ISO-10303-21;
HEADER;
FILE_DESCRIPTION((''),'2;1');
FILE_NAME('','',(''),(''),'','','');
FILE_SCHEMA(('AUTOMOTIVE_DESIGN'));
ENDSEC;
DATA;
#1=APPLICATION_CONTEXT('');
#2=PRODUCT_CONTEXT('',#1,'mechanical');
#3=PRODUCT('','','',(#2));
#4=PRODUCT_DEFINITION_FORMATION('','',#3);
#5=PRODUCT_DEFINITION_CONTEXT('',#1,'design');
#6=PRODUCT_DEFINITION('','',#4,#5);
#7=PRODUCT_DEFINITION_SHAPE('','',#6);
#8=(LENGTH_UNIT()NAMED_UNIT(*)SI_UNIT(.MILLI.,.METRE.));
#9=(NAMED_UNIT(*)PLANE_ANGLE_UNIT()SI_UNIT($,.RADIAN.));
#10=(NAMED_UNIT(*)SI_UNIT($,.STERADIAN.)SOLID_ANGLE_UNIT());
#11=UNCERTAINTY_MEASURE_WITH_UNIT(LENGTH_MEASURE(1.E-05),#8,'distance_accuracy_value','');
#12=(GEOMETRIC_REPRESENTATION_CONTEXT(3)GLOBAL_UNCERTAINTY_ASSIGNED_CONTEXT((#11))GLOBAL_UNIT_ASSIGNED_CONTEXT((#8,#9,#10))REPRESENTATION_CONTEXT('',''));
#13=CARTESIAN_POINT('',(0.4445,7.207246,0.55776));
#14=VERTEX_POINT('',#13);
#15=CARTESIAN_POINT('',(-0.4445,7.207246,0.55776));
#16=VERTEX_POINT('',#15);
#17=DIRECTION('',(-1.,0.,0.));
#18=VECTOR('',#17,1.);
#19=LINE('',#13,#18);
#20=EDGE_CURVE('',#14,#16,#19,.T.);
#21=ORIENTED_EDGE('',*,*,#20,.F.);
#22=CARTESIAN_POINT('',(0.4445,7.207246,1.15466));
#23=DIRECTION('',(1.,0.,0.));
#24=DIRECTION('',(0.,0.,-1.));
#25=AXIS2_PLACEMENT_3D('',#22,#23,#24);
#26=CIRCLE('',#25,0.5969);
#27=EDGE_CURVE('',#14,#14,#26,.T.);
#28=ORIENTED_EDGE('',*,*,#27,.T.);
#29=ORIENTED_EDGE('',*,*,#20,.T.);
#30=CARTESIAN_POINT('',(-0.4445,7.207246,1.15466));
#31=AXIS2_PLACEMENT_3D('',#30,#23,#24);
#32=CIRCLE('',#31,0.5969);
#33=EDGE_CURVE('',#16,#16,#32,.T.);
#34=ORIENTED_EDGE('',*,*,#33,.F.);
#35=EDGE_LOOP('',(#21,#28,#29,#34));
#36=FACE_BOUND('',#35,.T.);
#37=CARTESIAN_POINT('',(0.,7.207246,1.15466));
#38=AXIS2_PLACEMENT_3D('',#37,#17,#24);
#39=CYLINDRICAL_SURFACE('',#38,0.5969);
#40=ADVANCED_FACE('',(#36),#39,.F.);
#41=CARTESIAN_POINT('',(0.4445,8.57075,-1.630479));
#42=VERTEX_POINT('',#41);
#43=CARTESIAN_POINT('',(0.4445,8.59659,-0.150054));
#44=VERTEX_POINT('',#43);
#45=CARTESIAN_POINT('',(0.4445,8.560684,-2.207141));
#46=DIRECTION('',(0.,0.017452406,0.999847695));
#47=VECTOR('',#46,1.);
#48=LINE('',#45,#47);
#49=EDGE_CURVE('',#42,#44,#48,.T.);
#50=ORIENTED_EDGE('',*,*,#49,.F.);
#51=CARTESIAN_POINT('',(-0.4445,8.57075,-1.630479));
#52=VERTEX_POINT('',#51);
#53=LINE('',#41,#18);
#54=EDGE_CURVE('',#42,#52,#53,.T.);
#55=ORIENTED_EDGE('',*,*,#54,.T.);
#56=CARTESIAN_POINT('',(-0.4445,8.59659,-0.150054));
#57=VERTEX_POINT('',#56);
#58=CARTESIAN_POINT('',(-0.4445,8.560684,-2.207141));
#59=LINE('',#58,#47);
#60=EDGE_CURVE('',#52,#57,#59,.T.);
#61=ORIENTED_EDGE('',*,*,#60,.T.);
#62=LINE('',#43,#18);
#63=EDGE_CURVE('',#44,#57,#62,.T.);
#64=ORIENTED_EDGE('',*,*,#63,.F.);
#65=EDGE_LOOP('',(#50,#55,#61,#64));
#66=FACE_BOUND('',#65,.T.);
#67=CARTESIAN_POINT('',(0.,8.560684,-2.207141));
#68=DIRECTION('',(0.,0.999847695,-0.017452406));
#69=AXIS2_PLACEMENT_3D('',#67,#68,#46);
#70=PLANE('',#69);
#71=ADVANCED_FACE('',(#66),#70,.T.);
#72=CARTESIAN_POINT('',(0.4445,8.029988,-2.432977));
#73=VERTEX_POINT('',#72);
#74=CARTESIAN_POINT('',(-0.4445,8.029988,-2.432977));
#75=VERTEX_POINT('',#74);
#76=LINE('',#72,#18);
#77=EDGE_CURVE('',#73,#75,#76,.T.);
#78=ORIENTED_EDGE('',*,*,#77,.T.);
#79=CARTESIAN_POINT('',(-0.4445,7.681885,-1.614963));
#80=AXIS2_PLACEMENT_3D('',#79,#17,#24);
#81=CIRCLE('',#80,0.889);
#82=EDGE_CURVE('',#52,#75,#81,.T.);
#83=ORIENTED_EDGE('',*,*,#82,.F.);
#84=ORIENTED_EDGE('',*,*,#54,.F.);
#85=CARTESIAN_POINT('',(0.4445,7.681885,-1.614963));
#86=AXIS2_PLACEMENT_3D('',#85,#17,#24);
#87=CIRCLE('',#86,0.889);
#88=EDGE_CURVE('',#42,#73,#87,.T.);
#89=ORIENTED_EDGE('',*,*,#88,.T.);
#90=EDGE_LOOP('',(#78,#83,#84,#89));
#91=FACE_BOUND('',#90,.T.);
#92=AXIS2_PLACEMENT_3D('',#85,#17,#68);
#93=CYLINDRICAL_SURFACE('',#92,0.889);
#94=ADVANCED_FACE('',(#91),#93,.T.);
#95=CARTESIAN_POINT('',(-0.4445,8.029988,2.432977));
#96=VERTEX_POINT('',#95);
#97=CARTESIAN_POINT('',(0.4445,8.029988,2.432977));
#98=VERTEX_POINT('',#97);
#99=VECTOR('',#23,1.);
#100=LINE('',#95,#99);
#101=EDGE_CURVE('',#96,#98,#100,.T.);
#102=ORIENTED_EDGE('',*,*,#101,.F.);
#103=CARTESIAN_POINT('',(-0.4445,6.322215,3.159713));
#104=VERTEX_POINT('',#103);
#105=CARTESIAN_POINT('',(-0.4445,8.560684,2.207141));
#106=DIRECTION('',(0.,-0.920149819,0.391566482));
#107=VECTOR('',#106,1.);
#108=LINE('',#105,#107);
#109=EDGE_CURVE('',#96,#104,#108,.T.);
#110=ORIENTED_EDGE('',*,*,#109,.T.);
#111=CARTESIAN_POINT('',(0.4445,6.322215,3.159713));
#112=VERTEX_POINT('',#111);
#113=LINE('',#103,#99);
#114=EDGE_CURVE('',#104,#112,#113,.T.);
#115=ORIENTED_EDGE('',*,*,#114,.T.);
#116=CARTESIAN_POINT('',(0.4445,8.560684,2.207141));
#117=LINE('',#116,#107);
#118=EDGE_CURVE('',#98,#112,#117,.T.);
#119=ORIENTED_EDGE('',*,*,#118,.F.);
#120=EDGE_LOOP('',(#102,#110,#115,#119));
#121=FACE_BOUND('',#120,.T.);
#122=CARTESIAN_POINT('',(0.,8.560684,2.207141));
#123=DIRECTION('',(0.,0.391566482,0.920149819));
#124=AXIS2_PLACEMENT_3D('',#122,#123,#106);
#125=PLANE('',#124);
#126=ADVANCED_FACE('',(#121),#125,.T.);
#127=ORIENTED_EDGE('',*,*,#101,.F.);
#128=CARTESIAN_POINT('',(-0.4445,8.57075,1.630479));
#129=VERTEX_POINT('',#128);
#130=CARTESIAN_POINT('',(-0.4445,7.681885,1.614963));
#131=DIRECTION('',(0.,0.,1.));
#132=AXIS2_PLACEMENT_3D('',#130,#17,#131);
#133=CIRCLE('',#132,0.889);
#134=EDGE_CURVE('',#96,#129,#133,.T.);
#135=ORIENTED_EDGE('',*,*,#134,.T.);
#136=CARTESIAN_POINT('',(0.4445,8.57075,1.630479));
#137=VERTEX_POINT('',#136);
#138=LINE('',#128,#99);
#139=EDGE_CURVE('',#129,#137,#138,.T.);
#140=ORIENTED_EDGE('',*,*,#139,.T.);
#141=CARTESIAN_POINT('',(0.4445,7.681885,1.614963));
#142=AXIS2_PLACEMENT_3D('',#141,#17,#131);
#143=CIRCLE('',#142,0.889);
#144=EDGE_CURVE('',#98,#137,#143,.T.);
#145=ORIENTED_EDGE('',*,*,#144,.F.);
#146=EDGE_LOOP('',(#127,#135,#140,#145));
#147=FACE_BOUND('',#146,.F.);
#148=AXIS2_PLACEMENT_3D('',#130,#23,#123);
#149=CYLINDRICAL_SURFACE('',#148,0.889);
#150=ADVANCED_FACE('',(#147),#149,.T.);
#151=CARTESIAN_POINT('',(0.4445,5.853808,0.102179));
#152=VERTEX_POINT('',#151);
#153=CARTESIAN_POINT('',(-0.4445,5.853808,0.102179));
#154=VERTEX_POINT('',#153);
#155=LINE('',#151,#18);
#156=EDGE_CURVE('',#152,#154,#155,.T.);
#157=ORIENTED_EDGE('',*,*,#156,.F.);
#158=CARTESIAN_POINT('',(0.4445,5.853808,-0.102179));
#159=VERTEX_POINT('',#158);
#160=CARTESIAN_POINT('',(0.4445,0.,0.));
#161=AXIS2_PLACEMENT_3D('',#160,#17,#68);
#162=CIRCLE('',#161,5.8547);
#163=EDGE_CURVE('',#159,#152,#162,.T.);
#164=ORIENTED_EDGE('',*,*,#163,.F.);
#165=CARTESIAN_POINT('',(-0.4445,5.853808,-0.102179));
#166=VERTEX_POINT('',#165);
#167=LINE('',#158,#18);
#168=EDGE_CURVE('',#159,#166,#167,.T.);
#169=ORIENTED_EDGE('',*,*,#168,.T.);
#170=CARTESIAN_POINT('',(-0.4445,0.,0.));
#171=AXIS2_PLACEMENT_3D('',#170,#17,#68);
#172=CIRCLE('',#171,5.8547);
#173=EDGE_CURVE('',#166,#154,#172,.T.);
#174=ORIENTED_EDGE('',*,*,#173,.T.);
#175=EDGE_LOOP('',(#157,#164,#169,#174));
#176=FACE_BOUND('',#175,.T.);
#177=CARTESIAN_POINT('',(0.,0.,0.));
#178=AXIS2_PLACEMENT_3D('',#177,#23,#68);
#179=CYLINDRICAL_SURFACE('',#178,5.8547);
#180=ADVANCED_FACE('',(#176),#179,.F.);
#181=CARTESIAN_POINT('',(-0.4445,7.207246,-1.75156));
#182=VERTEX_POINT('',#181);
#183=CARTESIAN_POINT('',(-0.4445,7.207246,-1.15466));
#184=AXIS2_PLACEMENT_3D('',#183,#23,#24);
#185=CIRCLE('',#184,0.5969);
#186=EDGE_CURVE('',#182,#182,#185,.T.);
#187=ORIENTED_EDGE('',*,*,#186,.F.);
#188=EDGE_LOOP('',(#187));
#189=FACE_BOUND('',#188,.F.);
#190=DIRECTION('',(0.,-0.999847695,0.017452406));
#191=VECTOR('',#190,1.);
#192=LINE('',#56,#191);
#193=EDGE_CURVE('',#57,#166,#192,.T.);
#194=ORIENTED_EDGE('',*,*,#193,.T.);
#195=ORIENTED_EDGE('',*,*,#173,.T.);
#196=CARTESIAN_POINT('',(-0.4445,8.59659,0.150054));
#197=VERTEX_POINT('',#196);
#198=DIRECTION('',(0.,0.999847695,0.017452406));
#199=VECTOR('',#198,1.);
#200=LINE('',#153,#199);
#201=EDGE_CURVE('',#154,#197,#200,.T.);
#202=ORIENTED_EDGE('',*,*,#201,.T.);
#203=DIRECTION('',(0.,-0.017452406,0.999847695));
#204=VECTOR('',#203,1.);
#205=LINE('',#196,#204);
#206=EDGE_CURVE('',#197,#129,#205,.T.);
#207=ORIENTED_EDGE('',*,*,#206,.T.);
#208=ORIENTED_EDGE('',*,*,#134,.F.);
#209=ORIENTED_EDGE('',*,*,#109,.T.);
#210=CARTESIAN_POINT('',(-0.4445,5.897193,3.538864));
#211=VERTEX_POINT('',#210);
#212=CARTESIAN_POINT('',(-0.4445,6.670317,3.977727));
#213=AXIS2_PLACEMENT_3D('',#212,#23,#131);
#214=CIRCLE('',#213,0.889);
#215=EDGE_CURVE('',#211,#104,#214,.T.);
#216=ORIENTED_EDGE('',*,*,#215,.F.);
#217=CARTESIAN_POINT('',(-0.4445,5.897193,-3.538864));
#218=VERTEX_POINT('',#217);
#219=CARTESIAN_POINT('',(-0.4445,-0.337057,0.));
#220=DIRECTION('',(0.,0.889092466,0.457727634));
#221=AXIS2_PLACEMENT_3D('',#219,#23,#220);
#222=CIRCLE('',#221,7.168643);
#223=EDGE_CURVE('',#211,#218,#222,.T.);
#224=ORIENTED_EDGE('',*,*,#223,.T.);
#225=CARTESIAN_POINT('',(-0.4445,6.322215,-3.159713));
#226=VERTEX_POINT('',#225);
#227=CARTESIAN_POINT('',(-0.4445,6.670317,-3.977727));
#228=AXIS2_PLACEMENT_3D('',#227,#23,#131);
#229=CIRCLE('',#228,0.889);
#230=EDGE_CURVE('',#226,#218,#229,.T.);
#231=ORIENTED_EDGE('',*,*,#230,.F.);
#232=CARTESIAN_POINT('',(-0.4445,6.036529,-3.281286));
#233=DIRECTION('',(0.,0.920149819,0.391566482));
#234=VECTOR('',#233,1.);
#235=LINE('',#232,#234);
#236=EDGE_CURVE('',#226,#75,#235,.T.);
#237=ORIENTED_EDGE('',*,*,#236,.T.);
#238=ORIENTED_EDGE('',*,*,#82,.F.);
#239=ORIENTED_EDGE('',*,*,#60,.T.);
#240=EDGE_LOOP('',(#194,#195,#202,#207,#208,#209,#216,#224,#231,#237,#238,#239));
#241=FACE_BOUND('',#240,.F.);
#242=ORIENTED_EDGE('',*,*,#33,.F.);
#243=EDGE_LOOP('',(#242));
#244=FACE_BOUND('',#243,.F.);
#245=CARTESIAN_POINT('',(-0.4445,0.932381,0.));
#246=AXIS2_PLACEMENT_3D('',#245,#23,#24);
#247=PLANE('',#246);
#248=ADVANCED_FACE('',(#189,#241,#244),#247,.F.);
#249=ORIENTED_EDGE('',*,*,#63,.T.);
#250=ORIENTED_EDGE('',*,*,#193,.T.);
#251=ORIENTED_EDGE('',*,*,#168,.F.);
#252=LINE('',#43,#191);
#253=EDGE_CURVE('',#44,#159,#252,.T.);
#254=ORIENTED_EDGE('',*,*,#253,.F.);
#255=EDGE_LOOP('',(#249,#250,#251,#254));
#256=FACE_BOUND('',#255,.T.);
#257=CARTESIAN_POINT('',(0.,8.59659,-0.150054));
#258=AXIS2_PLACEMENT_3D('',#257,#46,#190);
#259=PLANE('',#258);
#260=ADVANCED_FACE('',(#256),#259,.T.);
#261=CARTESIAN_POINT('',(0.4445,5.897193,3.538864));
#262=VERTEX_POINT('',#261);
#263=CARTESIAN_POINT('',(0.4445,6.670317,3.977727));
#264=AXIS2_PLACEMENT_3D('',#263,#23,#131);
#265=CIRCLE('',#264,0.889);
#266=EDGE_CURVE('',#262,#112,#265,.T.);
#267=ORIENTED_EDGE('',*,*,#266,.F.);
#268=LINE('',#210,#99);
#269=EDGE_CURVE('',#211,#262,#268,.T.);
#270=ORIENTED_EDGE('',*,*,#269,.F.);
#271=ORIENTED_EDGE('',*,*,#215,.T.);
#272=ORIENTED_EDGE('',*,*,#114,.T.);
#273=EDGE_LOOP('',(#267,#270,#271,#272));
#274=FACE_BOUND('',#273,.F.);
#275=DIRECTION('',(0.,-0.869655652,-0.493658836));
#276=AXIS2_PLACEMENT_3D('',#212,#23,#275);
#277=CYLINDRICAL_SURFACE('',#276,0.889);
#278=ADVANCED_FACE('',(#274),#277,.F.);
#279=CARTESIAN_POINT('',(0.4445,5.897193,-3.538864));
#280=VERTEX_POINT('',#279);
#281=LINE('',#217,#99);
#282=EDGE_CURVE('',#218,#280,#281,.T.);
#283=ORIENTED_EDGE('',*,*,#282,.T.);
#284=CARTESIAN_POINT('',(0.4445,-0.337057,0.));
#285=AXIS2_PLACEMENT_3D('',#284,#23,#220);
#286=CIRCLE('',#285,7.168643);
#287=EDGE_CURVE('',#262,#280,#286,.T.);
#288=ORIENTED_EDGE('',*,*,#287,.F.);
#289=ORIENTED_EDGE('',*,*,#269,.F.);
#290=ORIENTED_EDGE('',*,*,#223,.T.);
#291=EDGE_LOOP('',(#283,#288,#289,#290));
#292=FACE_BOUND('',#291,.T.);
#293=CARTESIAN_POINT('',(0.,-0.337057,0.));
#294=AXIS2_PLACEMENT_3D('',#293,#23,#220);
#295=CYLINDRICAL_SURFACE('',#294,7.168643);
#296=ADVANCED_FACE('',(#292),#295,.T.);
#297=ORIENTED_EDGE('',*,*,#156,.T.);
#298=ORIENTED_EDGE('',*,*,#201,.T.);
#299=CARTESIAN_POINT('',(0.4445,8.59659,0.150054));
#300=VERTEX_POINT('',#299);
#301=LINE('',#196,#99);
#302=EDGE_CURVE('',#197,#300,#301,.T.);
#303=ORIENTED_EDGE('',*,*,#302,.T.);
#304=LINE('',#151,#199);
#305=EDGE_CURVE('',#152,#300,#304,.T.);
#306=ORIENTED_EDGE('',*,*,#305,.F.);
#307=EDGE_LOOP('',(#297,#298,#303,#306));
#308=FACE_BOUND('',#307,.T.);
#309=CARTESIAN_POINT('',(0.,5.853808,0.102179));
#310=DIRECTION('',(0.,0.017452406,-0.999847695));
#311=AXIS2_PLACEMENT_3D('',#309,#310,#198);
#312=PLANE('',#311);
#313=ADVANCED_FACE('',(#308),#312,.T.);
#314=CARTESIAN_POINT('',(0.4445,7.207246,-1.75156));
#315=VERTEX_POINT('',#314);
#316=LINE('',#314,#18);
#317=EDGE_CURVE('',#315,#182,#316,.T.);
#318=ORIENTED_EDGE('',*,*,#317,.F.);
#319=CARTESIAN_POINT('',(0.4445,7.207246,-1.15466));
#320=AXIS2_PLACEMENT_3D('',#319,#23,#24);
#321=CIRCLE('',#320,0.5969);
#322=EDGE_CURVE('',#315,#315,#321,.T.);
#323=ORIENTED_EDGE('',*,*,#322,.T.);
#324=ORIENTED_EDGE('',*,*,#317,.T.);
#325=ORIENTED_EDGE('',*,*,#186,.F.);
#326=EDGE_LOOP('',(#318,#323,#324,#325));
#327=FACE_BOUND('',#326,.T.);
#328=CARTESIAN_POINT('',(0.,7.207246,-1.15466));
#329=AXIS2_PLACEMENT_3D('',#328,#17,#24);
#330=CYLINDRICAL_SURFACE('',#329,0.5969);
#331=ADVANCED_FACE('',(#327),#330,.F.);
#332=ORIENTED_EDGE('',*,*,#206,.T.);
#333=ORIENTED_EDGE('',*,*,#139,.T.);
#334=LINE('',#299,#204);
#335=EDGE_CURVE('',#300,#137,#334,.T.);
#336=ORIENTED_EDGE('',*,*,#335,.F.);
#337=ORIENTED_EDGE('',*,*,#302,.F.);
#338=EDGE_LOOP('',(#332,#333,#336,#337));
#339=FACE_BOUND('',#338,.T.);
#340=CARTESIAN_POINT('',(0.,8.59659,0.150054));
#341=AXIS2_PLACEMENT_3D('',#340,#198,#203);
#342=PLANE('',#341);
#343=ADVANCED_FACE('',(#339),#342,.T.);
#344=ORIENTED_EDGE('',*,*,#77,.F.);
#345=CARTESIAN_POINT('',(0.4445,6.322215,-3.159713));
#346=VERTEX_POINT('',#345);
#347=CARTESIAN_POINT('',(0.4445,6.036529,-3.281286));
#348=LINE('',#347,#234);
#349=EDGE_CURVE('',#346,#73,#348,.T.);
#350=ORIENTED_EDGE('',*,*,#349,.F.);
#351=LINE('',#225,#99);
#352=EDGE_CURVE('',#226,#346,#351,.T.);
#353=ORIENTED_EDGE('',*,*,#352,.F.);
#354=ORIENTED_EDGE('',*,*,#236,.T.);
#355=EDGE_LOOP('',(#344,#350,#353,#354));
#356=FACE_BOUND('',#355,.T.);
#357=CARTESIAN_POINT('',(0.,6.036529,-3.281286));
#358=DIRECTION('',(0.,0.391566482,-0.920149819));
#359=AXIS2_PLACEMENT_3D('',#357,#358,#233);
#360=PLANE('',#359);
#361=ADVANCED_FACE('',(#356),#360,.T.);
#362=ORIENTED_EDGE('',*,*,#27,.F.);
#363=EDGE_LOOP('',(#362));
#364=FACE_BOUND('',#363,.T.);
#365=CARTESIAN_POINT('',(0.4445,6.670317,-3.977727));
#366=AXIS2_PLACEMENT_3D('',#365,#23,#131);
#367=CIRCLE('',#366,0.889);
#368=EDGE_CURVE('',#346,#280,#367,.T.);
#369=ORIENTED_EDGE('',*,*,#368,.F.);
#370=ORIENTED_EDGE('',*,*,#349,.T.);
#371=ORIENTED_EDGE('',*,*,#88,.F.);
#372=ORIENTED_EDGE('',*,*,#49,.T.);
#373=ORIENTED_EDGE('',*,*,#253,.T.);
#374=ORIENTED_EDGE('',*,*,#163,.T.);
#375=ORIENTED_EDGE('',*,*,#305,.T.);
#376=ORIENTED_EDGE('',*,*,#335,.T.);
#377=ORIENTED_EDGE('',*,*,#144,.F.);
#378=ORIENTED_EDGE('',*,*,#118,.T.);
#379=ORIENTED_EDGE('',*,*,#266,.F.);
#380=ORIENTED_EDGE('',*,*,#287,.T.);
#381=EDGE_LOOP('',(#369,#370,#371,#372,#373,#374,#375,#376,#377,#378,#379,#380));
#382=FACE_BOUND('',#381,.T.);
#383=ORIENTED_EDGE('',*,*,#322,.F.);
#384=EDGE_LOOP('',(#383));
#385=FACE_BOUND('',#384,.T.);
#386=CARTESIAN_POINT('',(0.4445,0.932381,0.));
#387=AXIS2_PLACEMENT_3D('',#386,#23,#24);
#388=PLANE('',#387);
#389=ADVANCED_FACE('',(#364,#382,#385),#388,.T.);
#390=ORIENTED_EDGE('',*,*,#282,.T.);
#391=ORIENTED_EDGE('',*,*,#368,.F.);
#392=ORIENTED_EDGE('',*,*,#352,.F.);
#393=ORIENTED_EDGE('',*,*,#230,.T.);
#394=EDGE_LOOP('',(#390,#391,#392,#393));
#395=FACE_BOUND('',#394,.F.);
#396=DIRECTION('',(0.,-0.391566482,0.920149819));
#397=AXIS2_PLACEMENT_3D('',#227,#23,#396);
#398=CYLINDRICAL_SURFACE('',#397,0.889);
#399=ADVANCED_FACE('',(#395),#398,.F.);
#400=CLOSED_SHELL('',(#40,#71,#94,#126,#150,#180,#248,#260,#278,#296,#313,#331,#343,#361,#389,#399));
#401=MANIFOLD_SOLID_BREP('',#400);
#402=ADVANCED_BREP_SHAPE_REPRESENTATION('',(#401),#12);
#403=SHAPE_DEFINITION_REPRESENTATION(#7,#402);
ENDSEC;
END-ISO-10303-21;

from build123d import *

# Parameters (mm, degrees)
SKETCH1_R      = 0.5969
EXTRUDE1_DEPTH = 0.4445
FILLET1_R      = 0.889


with BuildPart() as part:
    # Sketch1 → Extrude1 (new, symmetric)
    with BuildSketch(Plane(origin=(0, 0, 0), x_dir=(0, 0, -1), z_dir=(1, 0, 0))):
        with BuildLine():
            Line((-0.102178604, 5.853808301), (-0.150054045, 8.596590498))
            Line((-0.150054045, 8.596590498), (-2.207140693, 8.560683917))
            Line((-2.207140693, 8.560683917), (-3.281285866, 6.036528932))
            ThreePointArc((-3.281285866, 6.036528932), (0, -7.5057), (3.281285866, 6.036528932))
            Line((3.281285866, 6.036528932), (2.207140693, 8.560683917))
            Line((2.207140693, 8.560683917), (0.150054045, 8.596590498))
            Line((0.150054045, 8.596590498), (0.102178604, 5.853808301))
            ThreePointArc((0.102178604, 5.853808301), (0, -5.8547), (-0.102178604, 5.853808301))
        make_face()
        with Locations((-1.154659649, 7.207246109)):
            Circle(SKETCH1_R, mode=Mode.SUBTRACT)
        with Locations((1.154659649, 7.207246109)):
            Circle(SKETCH1_R, mode=Mode.SUBTRACT)
    extrude(amount=EXTRUDE1_DEPTH, both=True)

    # Fillet1
    fillet1_edges = [part.edges().sort_by_distance(p)[0] for p in [
        (0, 8.560683917, -2.207140693),
        (0, 6.036528932, -3.281285866),
        (0, 6.036528932, 3.281285866),
        (0, 8.560683917, 2.207140693),
    ]]
    fillet(fillet1_edges, radius=FILLET1_R)


solid = part.part
